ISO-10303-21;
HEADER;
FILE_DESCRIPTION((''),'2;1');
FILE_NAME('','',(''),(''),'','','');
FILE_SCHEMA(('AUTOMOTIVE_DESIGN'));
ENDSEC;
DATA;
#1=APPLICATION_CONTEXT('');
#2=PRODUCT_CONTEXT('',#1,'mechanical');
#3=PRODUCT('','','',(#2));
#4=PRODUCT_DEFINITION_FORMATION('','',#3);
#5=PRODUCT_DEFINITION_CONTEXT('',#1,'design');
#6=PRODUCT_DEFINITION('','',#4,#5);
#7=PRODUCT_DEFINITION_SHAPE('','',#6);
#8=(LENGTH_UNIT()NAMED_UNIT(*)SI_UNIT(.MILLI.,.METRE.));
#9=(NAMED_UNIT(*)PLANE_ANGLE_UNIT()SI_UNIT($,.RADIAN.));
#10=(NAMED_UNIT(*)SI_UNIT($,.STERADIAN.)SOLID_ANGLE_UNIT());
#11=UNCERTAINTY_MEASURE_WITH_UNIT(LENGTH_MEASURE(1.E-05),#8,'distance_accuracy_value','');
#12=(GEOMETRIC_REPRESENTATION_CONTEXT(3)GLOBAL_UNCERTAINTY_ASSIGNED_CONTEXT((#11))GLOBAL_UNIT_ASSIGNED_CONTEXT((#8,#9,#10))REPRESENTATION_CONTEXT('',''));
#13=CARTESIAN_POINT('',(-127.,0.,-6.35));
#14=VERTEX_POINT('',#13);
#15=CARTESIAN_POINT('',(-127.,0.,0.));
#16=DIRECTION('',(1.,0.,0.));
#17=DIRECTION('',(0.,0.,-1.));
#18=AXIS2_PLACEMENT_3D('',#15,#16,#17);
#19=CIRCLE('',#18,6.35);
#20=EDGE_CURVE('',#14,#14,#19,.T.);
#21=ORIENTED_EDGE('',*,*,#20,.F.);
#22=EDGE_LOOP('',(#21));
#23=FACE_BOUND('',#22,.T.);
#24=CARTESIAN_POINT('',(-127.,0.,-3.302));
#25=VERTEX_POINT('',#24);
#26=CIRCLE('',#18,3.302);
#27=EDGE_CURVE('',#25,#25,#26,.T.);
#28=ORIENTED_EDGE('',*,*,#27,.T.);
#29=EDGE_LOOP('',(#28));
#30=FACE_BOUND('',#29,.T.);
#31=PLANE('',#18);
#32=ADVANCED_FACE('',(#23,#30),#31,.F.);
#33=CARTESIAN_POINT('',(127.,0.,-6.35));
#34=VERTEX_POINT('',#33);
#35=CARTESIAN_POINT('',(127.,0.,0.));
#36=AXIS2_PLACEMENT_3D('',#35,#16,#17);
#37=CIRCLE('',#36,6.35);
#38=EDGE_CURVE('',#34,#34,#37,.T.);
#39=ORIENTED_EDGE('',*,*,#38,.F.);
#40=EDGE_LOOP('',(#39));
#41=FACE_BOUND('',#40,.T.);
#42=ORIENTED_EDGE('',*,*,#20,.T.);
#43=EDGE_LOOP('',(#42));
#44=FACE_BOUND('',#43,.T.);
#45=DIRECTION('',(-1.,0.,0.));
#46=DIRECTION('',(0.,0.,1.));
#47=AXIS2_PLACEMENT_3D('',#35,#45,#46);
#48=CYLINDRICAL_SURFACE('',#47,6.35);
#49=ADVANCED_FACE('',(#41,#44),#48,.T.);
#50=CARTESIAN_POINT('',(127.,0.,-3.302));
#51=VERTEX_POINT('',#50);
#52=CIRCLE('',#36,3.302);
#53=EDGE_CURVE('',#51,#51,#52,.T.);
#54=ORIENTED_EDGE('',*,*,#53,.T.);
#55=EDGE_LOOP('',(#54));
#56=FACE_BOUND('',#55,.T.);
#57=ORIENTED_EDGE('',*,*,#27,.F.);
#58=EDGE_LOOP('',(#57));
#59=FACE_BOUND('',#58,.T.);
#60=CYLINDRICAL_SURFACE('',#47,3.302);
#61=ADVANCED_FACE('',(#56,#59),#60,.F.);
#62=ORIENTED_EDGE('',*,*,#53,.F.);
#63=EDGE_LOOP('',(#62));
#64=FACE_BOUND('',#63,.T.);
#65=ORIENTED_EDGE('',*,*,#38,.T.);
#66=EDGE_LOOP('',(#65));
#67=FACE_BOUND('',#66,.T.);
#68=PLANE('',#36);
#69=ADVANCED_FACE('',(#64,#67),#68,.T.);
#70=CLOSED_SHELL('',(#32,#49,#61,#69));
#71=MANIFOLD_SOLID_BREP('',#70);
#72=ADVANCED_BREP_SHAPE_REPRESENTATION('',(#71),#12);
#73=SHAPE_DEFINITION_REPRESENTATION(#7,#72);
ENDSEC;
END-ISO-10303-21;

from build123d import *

# Parameters (mm, degrees)
SKETCH3_R           = 6.35
SKETCH3_R_2         = 3.302
BOSS_EXTRUDE1_DEPTH = 127


with BuildPart() as part:
    # Sketch3 → Boss-Extrude1 (new, symmetric)
    with BuildSketch(Plane(origin=(0, 0, 0), x_dir=(0, 0, -1), z_dir=(1, 0, 0))):
        Circle(SKETCH3_R)
        Circle(SKETCH3_R_2, mode=Mode.SUBTRACT)
    extrude(amount=BOSS_EXTRUDE1_DEPTH, both=True)


solid = part.part
